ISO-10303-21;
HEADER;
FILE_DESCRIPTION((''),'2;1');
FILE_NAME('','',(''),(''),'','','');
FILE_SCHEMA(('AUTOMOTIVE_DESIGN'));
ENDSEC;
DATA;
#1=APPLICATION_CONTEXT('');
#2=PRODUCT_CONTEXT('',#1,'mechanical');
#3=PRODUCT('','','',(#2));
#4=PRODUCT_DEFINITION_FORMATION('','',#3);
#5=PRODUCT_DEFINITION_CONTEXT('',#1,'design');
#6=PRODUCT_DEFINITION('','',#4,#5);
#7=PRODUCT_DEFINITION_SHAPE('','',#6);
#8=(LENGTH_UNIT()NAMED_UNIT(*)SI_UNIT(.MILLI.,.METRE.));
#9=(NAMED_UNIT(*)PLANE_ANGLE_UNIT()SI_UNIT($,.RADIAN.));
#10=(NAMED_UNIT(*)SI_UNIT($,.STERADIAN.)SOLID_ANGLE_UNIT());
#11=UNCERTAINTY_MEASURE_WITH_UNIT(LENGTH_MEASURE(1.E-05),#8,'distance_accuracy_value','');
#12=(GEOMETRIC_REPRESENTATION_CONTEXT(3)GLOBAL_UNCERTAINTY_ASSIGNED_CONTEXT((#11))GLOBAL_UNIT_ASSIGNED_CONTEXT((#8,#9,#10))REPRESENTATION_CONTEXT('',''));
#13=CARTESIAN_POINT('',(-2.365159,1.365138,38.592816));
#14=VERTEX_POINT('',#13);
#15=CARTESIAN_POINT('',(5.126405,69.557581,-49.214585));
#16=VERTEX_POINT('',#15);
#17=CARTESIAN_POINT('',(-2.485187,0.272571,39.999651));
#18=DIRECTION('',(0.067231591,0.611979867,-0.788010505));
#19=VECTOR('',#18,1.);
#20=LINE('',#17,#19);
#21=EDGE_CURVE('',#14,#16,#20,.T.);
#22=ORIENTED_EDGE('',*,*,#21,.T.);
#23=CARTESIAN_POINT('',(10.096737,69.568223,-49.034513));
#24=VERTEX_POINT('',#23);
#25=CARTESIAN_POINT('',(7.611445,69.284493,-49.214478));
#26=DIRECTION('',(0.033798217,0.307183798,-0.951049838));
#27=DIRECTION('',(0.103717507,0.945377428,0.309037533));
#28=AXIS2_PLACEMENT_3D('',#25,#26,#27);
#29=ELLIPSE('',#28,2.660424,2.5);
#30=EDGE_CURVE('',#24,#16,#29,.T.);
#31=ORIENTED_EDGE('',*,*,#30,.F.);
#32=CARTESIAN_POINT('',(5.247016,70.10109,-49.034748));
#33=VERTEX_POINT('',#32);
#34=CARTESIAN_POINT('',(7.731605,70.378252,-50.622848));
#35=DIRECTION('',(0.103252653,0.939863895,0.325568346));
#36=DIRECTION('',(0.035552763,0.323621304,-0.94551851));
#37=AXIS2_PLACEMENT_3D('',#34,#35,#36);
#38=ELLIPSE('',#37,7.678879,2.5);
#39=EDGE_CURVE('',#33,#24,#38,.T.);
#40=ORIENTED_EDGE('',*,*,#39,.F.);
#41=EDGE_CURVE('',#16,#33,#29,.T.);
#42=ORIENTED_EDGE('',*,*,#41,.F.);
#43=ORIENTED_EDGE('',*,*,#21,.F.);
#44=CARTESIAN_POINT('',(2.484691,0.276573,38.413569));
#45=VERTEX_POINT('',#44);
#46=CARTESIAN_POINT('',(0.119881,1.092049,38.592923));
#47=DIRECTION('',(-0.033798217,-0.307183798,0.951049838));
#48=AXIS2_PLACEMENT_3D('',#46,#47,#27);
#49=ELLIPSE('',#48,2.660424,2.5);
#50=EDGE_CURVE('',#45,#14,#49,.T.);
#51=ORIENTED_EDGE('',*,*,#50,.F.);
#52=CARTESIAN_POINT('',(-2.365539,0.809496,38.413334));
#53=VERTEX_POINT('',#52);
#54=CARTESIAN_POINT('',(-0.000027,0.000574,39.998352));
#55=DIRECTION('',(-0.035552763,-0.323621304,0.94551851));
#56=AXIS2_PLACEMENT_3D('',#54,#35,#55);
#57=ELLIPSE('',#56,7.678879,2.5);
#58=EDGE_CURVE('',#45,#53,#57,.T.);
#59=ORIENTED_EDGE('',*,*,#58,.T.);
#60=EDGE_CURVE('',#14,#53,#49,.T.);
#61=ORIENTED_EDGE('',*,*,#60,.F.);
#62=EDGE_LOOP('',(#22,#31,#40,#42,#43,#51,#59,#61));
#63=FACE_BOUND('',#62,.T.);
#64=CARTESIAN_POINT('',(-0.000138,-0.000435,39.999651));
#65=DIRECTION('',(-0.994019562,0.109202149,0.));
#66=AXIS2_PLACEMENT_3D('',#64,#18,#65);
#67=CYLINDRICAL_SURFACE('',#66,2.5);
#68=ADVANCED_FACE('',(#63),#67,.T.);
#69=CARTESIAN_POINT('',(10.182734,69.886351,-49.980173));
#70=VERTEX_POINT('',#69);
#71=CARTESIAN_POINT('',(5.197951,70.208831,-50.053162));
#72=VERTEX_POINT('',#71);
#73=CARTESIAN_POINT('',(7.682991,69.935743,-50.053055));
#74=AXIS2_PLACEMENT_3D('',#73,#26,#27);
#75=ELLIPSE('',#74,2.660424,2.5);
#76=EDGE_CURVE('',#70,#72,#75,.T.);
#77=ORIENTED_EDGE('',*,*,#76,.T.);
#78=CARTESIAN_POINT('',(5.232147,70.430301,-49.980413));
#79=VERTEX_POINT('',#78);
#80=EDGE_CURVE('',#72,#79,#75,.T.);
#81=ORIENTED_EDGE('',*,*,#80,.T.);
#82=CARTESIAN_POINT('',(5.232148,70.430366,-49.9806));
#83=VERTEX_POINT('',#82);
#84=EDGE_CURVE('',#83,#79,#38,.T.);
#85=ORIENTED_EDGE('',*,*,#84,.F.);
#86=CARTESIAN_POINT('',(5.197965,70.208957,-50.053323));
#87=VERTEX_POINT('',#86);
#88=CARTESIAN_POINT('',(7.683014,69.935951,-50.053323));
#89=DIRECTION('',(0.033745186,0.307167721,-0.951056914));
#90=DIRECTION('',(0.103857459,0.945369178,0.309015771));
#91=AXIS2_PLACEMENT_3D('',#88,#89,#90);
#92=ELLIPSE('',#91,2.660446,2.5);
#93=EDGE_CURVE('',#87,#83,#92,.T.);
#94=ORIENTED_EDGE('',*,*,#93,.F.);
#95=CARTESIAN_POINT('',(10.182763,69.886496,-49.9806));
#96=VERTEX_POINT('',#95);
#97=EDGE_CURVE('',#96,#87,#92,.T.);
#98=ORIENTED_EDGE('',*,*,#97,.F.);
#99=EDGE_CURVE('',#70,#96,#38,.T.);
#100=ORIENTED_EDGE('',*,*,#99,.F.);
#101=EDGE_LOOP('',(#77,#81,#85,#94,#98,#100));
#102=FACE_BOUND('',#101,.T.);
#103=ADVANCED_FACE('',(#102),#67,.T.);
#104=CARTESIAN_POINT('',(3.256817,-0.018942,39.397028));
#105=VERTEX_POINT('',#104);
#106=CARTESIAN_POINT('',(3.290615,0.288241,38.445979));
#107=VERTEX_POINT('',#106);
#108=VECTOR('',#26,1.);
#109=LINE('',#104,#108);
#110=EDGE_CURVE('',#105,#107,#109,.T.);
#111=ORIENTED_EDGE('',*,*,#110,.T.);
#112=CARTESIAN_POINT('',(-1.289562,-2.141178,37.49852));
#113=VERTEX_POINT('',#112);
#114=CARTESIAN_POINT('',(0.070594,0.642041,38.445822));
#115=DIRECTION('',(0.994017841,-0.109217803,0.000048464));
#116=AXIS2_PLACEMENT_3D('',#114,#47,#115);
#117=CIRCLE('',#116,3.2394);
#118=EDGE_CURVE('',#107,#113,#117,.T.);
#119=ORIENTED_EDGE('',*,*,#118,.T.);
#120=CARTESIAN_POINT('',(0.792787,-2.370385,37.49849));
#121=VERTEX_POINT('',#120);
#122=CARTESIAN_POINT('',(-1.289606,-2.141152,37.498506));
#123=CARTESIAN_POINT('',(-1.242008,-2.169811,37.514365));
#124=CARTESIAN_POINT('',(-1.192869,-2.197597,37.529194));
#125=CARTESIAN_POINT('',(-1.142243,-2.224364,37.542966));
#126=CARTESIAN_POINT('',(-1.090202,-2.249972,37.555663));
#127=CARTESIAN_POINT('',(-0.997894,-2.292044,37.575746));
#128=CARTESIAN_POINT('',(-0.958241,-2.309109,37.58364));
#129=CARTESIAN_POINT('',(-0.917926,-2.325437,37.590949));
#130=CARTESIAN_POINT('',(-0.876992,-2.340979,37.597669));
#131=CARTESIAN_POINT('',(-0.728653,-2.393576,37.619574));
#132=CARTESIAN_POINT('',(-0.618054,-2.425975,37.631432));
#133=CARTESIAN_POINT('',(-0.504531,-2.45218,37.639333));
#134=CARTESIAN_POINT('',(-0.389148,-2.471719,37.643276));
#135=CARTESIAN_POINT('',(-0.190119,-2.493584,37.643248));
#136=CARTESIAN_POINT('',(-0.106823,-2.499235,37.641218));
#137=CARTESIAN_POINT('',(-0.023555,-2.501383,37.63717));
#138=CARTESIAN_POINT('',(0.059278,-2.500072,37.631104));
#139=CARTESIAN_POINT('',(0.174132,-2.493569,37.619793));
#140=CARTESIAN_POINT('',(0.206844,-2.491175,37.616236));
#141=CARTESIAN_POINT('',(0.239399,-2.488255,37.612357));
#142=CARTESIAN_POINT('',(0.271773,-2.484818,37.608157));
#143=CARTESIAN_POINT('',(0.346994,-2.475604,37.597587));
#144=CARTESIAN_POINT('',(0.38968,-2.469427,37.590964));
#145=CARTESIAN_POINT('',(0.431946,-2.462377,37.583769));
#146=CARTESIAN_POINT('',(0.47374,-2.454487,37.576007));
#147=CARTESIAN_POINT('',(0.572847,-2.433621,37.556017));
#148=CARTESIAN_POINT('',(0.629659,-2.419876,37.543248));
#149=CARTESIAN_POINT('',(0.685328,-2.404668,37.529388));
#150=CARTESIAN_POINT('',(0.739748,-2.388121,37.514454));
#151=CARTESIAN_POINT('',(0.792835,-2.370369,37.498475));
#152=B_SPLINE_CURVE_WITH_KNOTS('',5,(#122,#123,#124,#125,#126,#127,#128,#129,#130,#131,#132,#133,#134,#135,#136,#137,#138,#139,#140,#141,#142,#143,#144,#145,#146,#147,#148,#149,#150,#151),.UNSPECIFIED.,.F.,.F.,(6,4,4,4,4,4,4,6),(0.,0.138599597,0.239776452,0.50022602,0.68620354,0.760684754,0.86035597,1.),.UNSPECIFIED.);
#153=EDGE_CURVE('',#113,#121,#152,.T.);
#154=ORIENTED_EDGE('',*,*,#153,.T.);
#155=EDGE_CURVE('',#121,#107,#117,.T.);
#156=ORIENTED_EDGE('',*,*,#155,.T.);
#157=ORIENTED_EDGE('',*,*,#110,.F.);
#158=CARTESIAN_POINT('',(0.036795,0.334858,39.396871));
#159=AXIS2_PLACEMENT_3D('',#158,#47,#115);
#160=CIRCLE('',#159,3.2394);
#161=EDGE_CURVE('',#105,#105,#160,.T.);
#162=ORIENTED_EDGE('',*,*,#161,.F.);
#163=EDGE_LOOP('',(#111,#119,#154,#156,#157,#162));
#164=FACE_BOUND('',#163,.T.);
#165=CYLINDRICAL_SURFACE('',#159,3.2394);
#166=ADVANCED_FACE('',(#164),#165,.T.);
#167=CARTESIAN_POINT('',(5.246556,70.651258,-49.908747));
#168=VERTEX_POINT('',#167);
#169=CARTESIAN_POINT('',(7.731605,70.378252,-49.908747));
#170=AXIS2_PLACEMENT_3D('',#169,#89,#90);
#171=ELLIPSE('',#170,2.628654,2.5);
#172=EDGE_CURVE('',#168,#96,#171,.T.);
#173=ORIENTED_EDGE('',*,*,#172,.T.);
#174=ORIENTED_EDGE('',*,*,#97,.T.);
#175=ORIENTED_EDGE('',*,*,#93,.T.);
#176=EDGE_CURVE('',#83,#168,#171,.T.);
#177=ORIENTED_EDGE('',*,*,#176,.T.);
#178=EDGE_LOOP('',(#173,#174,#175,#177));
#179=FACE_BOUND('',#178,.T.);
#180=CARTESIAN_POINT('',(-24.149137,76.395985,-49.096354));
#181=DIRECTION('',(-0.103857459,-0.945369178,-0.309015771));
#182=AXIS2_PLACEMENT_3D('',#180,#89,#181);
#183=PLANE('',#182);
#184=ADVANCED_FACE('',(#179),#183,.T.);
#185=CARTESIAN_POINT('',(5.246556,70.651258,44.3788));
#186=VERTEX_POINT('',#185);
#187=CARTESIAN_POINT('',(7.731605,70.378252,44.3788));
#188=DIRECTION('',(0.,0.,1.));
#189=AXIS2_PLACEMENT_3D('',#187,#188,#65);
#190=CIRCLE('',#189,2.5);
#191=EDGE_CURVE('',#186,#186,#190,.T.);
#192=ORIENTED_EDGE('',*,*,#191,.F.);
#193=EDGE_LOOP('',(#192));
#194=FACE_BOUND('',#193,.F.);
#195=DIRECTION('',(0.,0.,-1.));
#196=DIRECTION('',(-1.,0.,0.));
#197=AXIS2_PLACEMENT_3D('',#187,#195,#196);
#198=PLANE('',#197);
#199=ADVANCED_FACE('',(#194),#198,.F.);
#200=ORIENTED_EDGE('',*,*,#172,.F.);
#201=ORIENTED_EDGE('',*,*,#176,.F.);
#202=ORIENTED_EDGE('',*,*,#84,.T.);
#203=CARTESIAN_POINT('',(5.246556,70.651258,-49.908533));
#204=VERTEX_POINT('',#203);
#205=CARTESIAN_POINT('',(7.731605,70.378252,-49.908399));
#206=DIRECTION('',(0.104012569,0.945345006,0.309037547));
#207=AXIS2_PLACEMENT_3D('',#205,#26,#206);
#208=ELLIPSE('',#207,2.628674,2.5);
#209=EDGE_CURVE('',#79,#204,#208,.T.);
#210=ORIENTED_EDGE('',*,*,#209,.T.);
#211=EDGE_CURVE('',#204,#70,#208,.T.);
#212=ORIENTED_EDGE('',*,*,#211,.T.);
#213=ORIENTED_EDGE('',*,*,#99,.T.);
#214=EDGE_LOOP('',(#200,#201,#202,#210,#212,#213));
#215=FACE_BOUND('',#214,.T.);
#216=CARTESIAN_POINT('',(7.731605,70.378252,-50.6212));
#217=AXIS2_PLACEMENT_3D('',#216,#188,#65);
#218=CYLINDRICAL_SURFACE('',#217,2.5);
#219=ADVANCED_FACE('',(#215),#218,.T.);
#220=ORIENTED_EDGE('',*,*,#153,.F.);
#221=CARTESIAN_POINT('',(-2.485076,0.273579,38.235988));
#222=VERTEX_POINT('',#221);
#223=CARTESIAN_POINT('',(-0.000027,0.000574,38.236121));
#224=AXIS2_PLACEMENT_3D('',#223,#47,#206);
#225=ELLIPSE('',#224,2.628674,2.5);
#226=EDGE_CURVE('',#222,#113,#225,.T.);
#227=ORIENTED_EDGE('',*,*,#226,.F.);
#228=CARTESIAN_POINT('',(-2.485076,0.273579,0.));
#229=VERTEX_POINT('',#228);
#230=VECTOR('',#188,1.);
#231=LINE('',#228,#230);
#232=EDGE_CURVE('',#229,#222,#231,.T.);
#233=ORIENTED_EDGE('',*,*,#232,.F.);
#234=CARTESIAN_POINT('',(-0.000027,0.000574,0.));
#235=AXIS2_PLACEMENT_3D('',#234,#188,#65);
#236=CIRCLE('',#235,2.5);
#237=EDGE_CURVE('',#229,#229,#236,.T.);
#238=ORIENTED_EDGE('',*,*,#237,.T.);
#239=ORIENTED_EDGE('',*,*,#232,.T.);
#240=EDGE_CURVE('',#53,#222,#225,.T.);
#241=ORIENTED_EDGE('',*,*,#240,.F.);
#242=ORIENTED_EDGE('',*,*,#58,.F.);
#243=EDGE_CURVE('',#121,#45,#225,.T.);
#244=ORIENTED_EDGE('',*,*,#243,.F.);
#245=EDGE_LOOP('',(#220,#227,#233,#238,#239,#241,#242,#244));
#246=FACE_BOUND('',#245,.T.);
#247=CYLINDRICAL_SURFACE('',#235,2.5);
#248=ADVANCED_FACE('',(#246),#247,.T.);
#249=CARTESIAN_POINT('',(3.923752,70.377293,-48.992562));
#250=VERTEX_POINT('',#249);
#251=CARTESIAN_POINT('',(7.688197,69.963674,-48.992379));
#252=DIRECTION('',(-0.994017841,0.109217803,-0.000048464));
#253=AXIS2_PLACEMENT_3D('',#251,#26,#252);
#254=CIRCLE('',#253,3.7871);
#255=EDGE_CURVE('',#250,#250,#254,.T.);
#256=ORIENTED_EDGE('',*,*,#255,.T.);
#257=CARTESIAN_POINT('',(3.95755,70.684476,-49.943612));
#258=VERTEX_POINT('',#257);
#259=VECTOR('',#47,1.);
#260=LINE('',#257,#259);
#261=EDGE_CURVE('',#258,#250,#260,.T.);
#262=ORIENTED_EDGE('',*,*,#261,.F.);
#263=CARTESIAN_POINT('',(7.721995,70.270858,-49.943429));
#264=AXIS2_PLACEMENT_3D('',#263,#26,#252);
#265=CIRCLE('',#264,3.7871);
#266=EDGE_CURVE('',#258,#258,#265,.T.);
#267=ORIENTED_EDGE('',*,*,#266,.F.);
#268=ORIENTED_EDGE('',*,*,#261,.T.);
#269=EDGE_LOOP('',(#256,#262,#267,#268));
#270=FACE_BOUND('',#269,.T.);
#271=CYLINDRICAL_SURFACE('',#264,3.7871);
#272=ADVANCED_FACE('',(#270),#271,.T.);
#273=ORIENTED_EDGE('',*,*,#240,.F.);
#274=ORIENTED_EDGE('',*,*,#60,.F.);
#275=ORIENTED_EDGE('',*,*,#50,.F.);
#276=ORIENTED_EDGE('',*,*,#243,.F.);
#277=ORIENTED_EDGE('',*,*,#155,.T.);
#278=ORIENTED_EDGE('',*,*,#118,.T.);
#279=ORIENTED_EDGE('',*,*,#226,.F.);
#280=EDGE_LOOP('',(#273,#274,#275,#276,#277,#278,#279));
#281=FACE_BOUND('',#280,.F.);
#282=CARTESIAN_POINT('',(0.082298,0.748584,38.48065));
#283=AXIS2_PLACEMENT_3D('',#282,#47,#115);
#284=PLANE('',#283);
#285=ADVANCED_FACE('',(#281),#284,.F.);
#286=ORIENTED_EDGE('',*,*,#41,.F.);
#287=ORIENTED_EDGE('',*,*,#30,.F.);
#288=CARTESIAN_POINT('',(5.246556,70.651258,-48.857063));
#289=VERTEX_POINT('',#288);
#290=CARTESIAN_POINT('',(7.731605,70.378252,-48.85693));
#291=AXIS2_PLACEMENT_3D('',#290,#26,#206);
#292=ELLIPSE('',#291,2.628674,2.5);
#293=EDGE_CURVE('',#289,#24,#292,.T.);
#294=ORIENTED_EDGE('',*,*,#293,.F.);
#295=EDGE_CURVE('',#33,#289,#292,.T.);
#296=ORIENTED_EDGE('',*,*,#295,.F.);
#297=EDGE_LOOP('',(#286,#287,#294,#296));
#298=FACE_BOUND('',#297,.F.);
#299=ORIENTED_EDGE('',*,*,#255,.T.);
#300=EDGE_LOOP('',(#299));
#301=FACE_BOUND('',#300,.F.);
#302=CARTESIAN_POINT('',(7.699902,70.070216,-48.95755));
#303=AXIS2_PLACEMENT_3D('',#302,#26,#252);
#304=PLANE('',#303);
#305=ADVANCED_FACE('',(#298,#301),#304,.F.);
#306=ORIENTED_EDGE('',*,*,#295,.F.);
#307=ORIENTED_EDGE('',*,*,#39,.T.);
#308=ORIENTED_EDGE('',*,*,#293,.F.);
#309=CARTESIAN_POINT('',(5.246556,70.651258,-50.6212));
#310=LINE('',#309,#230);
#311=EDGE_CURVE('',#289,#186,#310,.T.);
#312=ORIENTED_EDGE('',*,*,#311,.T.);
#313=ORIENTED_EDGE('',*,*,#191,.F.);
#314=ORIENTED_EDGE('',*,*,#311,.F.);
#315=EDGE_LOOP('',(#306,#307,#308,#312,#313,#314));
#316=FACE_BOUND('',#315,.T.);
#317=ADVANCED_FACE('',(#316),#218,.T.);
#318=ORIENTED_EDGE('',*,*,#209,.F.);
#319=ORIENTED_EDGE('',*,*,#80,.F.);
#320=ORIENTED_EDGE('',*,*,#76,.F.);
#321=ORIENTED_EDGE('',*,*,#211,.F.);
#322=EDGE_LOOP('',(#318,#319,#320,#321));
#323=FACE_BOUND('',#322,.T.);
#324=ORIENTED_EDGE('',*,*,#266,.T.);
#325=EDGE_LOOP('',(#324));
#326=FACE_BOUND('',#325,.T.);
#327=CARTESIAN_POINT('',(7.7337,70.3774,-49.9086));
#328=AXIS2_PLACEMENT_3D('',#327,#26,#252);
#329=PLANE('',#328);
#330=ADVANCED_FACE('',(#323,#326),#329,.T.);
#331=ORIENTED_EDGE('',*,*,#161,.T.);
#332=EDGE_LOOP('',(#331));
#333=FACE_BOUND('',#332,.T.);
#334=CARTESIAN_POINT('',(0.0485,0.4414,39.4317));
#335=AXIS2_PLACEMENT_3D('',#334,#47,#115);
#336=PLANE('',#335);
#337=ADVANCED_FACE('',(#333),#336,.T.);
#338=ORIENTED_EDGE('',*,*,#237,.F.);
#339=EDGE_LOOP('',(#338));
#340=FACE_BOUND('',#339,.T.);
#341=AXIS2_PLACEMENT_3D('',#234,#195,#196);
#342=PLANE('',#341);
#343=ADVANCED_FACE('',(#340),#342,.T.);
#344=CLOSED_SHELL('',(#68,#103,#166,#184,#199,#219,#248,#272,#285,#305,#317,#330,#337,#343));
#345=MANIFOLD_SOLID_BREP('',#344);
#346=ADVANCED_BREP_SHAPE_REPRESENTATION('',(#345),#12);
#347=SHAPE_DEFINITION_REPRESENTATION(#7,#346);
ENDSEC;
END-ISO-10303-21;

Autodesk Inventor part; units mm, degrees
ref_plane "YZ Plane" through (0, 0, 0) normal (1, 0, 0) x (0, 1, 0)
ref_plane "XZ Plane" through (0, 0, 0) normal (0, 1, 0) x (-1, 0, 0)
ref_plane "XY Plane" through (0, 0, 0) normal (0, 0, 1) x (1, 0, 0)
ref_plane "Work Plane1" through (-18.0552, 1.9841, 10) normal (0, 0, -1) x (-0.994, 0.1092, 0)
ref_plane "Work Plane4" through (0, 0, 10) normal (-0.994, 0.1092, 0) x (-0.1092, -0.994, 0)
ref_plane "Work Plane3" through (-40.2485, 19.0101, 10) normal (-0.994, 0.1092, 0) x (-0.1092, -0.994, 0)
sketch "Sketch1" plane through (0, 0, 10) normal (-0.994, 0.1092, 0) x (-0.1092, -0.994, 0)
  line L0 (0, -10) -> (0, 30)
  line L1 (0, 30) -> (-70.8011, -60.6212)
  line L2 (-70.8011, -60.6212) -> (-70.8011, 34.3788)
  line L3 (-7.1094, 32.5876) -> (7.1094, 27.4124)
  line L4 (-78.8593, -57.6883) -> (-62.7428, -63.5542)
  dimension "d0" = 40
  dimension "d1" = 115
  dimension "d2" = 38
  dimension "d3" = 95
  dimension "d4" = 38
  dimension "d6" = 70
ref_plane "Work Plane7" through (-18.0552, 1.9841, 10) normal (0, 0, -1) x (-0.994, 0.1092, 0)
sketch "Sketch3" plane through (-18.0552, 1.9841, 10) normal (0, 0, -1) x (-0.994, 0.1092, 0)
  circle A0 centre (-18.1638, 0) radius 11.5 projected
  circle A1 centre (-18.1638, 0) radius 2.5
  point P0 (-18.1638, 0)
  dimension "d7" = 5
sweep "Sweep1" add profiles "Sketch3" path "Sketch1" path curves L0 L1 L2 contours A1
ref_plane "Work Plane8" through (-22.055, 95.458, -62.5) normal (-0.994, 0.1092, 0) x (-0.1092, -0.994, 0)
sketch "Sketch4" plane through (-22.055, 95.458, -62.5) normal (-0.994, 0.1092, 0) x (-0.1092, -0.994, 0)
  line L0 (24.1767, 106.8788) -> (19.1767, 106.8788) projected
  line L1 (21.6767, 11.8788) -> (21.6767, 11.8788) projected
  line L2 (21.6767, 11.8788) -> (21.6767, 11.8788) projected
  line L3 (21.6767, 11.8788) -> (21.6767, 11.8788) projected
  line L4 (21.6767, 11.8788) -> (21.6767, 11.8788) projected
  line L5 (92.4778, 102.5) -> (92.4778, 102.5) projected
  line L6 (92.4778, 102.5) -> (92.4778, 102.5) projected
  line L7 (92.4778, 102.5) -> (92.4778, 102.5) projected
  line L8 (92.4778, 102.5) -> (92.4778, 102.5) projected
  line L9 (94.9778, 62.5) -> (89.9778, 62.5) projected
  line L10 (56.4279, -3) -> (16.4279, -3) projected
  line L11 (19.1767, 4.6182) -> (19.1767, 106.8788) projected
  line L12 (24.1767, 19.1393) -> (24.1767, 106.8788) projected
  line L13 (94.9778, 109.7605) -> (24.1767, 19.1393) projected
  line L14 (89.9778, 95.2395) -> (19.1767, 4.6182) projected
  line L15 (89.9778, 62.5) -> (89.9778, 95.2395) projected
  line L16 (94.9778, 62.5) -> (94.9778, 109.7605) projected
  line L17 (13.4434, 15.2665) -> (34.8257, 8.319)
  line L18 (34.8257, 8.319) -> (18.33, -8.9486)
  line L19 (18.33, -8.9486) -> (4.7452, 8.0853)
  line L20 (4.7452, 8.0853) -> (11.8837, 17.2222)
  line L21 (13.4434, 15.2665) -> (11.8837, 17.2222)
  line L22 (82.2165, 105.1215) -> (102.9149, 98.3962)
  line L23 (102.9149, 98.3962) -> (106.0468, 108.0351)
  line L24 (106.0468, 108.0351) -> (93.0792, 112.2485)
  line L25 (93.0792, 112.2485) -> (82.2165, 105.1215)
  point P0 (92.4778, 62.5)
  dimension "d10" = 70
  dimension "d11" = 7
  dimension "d12" = 7
extrude "Extrusion1" cut sketch "Sketch4" against normal through all contours L17 L14 L11 | L11 L14 L17 L18 L19 L20 L21 | L22 L25 L24 L23 L16 L13 | L13 L16 L22
sketch "Sketch5" plane through (7.7337, 70.3774, -49.9086) normal (0.0338, 0.3072, -0.9511) x (-0.994, 0.1092, 0)
  ellipse E0 centre (0, -0.4669) end of major axis (0, -3.1273) minor radius 2.5 (-2.4902, -0.232) -> (2.4902, -0.232) ccw projected
  ellipse E1 centre (0, 0) end of major axis (0, 2.6287) minor radius 2.5 (2.4902, -0.232) -> (-2.4902, -0.232) ccw projected
  line L0 (-2.4902, -0.1127) -> (2.4902, -0.1127) projected
  circle A0 centre (0, -0.1127) radius 3.7871
  point P0 (0, -51.9132)
extrude "Extrusion2" add sketch "Sketch5" against normal blind 1 contours E1 E0 | A0
sketch "Sketch6" plane through (0.0485, 0.4414, 39.4317) normal (-0.0338, -0.3072, 0.9511) x (0.994, -0.1092, 0)
  ellipse E0 centre (0, 0) end of major axis (0, -2.6604) minor radius 2.5 (2.4902, -0.2348) -> (-2.4902, -0.2348) ccw projected
  ellipse E1 centre (0, -0.4669) end of major axis (0, 2.1618) minor radius 2.5 (-2.4902, -0.2348) -> (2.4902, -0.2348) ccw projected
  line L0 (-2.4902, -0.1127) -> (2.4902, -0.1127) projected
  circle A0 centre (0, -0.1127) radius 3.2394
  point P0 (0, -12.6073)
extrude "Extrusion3" add sketch "Sketch6" against normal blind 1 contours E1 E0 | A0
ref_plane "Work Plane2" through (-1.6385, -14.9102, 10) normal (0, 0, 1) x (0.994, -0.1092, 0)
properties part number "cellSTORM_lightpath"
